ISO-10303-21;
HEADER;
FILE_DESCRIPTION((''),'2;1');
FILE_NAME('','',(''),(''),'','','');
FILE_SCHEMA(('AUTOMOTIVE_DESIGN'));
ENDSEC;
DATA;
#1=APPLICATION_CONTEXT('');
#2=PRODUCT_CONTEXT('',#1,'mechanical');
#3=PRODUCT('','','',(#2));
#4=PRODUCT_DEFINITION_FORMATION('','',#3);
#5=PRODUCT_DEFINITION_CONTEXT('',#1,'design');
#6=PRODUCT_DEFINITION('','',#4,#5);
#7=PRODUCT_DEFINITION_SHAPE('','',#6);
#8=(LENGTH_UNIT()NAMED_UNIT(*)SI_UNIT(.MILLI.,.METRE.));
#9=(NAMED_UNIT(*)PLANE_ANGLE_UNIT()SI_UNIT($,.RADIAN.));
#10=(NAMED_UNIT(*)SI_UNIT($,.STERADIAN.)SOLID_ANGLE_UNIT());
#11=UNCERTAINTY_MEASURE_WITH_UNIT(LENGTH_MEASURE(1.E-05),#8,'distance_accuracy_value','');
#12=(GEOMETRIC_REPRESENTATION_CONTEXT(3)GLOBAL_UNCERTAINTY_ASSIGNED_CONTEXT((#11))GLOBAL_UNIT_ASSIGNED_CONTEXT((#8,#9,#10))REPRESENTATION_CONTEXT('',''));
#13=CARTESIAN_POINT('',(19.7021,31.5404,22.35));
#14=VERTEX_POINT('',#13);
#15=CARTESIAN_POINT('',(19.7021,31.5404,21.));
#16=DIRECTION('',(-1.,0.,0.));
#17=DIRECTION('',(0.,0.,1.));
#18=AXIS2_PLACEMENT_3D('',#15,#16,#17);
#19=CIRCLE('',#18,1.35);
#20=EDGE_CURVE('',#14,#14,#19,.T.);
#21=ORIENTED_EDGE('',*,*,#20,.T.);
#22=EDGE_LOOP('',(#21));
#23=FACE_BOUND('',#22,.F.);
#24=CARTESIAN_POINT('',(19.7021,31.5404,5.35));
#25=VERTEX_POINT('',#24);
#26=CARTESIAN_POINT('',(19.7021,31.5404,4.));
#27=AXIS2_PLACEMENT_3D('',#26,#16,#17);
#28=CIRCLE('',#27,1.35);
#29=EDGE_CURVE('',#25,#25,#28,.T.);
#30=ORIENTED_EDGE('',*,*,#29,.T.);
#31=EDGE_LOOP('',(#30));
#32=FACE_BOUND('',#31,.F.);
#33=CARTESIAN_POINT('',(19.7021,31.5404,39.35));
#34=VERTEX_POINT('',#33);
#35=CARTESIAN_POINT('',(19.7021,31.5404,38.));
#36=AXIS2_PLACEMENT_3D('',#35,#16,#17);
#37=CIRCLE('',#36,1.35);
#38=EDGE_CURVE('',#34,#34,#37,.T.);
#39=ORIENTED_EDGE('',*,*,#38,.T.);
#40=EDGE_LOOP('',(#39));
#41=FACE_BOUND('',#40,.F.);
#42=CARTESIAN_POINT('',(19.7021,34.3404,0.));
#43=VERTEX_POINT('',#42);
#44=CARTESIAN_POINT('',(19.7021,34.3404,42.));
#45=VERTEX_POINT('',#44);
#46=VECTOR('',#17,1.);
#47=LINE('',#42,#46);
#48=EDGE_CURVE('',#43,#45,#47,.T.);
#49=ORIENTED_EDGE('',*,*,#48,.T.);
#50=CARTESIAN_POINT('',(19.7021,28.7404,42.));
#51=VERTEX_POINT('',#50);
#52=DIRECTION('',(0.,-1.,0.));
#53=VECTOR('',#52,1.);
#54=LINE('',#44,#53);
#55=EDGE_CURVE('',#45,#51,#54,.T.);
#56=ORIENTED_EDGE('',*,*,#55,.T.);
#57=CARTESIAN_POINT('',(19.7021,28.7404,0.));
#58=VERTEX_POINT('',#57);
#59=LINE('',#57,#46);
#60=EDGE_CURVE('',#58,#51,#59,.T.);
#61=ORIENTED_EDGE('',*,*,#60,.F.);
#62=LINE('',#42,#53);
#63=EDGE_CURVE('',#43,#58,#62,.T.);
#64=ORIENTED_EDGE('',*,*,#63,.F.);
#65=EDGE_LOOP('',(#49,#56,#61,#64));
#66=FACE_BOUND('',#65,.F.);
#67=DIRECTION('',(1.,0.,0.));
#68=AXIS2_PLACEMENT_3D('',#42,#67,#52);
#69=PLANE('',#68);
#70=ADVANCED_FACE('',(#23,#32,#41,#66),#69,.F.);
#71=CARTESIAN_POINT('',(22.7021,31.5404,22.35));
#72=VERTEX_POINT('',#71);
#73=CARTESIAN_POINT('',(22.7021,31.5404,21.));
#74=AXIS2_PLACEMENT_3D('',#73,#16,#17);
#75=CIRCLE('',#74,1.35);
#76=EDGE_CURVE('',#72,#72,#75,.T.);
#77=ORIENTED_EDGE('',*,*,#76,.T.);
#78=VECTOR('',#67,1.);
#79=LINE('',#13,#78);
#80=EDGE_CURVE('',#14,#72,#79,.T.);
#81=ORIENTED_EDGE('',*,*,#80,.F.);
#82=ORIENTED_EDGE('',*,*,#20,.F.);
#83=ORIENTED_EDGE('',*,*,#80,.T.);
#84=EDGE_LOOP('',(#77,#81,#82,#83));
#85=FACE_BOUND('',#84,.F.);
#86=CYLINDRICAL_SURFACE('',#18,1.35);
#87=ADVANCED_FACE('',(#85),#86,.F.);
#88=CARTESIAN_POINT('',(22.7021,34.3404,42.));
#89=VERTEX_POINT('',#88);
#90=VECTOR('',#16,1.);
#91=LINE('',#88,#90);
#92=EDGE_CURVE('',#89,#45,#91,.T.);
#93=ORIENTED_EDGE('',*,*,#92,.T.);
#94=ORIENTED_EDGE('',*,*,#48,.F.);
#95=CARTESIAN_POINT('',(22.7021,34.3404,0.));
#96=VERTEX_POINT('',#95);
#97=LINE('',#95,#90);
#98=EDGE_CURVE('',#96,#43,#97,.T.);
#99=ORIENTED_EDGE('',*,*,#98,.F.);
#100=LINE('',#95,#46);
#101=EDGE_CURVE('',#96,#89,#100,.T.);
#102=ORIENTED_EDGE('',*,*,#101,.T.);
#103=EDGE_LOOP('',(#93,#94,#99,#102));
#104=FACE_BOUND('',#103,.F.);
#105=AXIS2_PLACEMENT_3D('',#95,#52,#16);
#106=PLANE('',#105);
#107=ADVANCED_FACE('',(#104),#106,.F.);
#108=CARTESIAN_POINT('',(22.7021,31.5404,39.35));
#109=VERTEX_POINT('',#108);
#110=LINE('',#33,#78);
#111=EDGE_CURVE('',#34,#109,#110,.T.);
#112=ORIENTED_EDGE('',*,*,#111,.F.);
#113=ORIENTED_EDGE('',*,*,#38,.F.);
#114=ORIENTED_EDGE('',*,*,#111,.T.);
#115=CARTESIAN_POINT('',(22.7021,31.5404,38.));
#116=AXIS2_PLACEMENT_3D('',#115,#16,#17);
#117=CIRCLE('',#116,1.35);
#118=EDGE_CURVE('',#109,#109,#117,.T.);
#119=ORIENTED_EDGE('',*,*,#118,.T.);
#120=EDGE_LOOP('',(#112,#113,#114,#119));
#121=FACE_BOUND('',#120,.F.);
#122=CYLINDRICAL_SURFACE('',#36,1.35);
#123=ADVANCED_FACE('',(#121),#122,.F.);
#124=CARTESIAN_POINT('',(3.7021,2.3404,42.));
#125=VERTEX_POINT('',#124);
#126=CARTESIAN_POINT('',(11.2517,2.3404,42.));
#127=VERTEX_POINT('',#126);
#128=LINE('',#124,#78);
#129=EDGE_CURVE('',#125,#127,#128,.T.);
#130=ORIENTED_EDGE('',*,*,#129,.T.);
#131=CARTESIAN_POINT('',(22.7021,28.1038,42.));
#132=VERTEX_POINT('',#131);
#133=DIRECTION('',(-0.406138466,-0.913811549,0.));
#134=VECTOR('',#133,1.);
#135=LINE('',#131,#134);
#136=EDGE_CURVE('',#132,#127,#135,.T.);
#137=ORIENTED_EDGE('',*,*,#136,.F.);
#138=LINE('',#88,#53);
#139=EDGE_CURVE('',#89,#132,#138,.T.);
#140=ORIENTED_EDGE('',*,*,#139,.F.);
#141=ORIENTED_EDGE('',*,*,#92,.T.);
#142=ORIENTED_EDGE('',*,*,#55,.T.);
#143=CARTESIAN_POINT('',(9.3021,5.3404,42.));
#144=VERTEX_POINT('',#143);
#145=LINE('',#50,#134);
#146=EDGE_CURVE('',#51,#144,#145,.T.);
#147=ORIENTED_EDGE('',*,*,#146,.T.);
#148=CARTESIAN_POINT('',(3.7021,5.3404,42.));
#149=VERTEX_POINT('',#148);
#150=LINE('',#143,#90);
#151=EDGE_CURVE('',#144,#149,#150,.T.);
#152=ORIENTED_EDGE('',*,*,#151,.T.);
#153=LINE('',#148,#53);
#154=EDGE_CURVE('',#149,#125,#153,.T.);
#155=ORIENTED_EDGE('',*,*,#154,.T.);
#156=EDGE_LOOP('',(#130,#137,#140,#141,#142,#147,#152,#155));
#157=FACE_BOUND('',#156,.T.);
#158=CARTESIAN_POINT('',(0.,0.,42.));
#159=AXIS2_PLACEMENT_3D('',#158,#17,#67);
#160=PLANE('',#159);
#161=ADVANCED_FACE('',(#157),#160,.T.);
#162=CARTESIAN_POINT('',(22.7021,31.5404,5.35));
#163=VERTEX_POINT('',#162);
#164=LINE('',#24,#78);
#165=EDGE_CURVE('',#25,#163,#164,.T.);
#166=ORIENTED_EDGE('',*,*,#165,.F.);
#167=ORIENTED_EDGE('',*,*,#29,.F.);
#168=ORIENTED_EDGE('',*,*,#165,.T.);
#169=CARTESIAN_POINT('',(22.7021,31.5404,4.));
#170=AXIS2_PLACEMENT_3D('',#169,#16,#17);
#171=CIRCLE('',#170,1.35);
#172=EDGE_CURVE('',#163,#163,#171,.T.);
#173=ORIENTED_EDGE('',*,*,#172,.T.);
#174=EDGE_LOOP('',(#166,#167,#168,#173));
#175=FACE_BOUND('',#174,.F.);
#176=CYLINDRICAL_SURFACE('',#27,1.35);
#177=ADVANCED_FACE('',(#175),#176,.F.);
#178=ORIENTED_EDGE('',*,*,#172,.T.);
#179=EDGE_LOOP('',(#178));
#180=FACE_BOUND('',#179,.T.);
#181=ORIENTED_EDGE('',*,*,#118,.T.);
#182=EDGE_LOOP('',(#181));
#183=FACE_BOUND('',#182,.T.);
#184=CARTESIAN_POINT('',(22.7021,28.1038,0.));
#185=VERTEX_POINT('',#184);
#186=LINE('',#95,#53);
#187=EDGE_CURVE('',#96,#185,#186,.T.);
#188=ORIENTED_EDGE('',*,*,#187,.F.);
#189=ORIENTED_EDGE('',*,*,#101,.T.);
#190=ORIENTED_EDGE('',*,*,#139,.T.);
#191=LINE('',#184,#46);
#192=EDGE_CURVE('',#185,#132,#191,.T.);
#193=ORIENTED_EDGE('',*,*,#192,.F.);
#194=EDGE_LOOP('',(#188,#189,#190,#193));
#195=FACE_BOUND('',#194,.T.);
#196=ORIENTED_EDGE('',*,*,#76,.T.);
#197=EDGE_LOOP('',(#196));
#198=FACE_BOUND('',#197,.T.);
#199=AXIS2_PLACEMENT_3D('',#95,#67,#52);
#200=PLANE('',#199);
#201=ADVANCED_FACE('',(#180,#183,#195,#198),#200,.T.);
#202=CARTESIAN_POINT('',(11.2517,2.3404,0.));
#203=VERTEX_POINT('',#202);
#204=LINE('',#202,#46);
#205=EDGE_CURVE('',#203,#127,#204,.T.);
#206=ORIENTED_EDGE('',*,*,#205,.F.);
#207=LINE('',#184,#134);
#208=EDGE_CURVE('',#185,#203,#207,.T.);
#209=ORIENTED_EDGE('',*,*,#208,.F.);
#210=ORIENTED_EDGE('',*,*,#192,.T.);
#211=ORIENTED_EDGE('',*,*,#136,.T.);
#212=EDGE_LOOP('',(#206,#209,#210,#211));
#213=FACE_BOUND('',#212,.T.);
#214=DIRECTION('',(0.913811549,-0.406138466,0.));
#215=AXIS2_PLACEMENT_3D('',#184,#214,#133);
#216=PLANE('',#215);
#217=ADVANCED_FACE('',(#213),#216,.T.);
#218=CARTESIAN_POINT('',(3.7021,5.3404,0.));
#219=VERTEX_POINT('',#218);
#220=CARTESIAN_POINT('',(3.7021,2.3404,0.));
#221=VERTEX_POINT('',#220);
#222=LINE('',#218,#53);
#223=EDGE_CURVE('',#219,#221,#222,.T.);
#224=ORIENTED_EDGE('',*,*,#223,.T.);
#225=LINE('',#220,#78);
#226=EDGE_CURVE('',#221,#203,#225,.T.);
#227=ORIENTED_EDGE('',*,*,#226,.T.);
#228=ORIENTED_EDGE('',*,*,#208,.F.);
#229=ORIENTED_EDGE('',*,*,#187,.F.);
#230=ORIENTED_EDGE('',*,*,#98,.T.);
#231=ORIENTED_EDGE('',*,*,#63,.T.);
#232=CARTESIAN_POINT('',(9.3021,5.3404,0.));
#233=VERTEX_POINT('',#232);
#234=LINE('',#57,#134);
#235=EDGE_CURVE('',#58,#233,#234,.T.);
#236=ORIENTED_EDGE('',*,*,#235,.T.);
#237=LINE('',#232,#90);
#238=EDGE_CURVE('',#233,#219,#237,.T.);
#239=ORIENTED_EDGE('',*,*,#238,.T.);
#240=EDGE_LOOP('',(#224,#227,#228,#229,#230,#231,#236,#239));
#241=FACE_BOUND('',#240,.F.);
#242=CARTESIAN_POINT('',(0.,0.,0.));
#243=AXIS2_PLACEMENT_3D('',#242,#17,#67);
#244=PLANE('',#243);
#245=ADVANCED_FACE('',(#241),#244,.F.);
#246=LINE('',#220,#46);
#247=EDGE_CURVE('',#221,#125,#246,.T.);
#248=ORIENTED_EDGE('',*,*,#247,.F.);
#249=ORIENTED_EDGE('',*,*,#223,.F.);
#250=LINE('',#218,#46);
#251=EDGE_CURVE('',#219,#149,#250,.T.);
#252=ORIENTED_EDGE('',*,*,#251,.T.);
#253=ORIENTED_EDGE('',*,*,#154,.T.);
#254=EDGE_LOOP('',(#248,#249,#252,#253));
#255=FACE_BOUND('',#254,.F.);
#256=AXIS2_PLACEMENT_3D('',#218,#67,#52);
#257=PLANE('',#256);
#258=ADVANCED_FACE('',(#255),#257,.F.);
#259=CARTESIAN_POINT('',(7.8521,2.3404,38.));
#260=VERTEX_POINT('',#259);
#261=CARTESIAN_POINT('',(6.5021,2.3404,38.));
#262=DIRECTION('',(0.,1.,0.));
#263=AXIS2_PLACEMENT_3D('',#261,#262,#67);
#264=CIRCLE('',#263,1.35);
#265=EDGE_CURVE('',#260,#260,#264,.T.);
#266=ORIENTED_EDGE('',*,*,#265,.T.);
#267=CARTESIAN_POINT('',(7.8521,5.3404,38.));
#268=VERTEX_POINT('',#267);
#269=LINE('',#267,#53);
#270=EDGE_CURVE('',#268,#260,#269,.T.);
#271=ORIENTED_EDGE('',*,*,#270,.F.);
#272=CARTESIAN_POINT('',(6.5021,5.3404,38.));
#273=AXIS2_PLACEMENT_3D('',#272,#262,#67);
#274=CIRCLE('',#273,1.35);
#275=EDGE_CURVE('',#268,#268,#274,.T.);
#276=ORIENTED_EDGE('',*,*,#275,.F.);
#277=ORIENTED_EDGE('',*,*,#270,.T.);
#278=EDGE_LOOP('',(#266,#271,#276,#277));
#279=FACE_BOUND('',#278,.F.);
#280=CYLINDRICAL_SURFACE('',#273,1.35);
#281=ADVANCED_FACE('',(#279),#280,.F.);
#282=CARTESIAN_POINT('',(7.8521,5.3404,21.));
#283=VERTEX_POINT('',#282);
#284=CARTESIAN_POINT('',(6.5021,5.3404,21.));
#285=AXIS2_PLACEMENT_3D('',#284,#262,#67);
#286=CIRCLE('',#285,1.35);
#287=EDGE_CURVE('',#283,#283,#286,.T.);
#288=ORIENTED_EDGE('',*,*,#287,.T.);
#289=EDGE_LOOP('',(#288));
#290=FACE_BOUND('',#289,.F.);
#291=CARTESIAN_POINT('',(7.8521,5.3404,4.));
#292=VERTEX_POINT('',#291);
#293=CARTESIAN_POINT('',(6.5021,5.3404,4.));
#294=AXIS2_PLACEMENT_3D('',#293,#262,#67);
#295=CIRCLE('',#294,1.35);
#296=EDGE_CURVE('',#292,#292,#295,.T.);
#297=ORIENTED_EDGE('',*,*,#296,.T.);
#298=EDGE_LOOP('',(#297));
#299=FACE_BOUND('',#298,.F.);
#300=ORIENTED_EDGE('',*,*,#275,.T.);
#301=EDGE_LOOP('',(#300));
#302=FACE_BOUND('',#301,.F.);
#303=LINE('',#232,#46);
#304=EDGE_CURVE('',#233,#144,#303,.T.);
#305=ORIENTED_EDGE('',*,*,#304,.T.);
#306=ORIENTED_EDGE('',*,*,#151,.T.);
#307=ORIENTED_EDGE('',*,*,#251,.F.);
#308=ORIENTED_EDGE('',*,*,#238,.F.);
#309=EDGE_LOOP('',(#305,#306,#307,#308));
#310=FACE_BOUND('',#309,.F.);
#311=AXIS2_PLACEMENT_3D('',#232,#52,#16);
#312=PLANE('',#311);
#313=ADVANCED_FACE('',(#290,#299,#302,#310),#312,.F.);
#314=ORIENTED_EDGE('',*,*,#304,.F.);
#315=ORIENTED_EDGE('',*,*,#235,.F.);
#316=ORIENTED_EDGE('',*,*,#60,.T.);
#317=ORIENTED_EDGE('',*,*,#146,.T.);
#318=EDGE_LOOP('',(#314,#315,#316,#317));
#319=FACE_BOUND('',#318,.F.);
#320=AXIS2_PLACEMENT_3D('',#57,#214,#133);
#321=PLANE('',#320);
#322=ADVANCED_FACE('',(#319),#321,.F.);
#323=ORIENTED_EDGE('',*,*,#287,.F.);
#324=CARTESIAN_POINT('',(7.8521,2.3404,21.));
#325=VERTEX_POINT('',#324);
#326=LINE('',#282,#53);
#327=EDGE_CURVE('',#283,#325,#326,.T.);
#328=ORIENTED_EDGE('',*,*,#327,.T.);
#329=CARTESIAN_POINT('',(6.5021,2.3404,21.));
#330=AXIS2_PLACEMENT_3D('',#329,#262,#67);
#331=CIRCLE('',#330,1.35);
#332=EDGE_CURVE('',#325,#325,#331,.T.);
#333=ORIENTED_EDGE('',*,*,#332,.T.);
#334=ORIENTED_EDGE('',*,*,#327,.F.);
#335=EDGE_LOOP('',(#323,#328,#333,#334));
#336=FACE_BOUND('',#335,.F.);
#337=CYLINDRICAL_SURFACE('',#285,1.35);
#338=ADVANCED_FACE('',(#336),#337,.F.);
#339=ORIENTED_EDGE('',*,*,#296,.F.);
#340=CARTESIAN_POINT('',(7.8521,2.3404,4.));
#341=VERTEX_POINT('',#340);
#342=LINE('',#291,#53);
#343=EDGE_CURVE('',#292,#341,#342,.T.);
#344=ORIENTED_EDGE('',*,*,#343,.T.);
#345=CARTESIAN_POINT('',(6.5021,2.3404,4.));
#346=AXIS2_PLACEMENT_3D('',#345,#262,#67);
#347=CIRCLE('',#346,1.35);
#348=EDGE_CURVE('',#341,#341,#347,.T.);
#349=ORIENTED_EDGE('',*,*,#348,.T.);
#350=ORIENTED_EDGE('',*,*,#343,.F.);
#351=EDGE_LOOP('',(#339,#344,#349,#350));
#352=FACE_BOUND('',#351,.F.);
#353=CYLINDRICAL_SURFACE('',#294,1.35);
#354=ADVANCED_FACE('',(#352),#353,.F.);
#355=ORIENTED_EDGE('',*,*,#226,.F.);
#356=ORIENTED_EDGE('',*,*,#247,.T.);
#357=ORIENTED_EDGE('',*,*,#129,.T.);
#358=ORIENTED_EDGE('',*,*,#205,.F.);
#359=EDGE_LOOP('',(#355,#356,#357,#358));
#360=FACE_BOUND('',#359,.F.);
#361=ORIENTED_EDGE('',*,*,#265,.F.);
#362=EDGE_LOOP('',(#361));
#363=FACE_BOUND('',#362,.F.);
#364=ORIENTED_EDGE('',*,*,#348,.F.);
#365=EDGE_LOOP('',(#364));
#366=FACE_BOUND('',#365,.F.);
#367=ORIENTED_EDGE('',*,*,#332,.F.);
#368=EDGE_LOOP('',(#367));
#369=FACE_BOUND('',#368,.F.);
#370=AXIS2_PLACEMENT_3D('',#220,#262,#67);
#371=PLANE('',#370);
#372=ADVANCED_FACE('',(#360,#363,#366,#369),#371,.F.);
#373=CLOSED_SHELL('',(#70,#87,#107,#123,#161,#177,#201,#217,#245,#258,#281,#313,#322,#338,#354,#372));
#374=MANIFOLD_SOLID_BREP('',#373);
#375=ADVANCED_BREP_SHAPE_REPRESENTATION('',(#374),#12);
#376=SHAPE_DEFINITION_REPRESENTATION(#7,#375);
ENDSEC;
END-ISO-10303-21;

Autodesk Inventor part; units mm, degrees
ref_plane "YZ Plane" through (0, 0, 0) normal (1, 0, 0) x (0, 1, 0)
ref_plane "XZ Plane" through (0, 0, 0) normal (0, 1, 0) x (-1, 0, 0)
ref_plane "XY Plane" through (0, 0, 0) normal (0, 0, 1) x (1, 0, 0)
sketch "Sketch1" plane through (0, 0, 0) normal (0, 0, 1) x (1, 0, 0)
  line L0 (22.7021, 34.3404) -> (19.7021, 34.3404)
  line L1 (19.7021, 34.3404) -> (19.7021, 28.7404)
  line L2 (19.7021, 28.7404) -> (9.3021, 5.3404)
  line L3 (22.7021, 28.1038) -> (11.2517, 2.3404)
  line L4 (9.3021, 5.3404) -> (3.7021, 5.3404)
  line L5 (3.7021, 5.3404) -> (3.7021, 2.3404)
  line L6 (22.7021, 34.3404) -> (22.7021, 28.1038)
  line L7 (3.7021, 2.3404) -> (11.2517, 2.3404)
  point P0 (0, 0)
  dimension "d0" = 3
  dimension "d1" = 3
  dimension "d2" = 32
  dimension "d3" = 19
  dimension "d4" = 5.6
  dimension "d5" = 5.6
  dimension "d6" = 3
extrude "Extrusion1" add sketch "Sketch1" along normal blind 42
sketch "Sketch2" plane through (3.7021, 5.3404, 0) normal (0, 1, 0) x (1, 0, 0)
  line L0 (0, -42) -> (5.6, -42) projected
  circle A0 centre (2.8, -4) radius 1.35
  circle A1 centre (2.8, -21) radius 1.35
  circle A2 centre (2.8, -38) radius 1.35
  point P0 (-3.7021, 0)
  dimension "d9" = 2.7
  dimension "d10" = 2.7
  dimension "d11" = 2.7
  dimension "d12" = 17
  dimension "d13" = 17
  dimension "d14" = 4
extrude "Extrusion2" cut sketch "Sketch2" against normal through all
sketch "Sketch3" plane through (19.7021, 28.7404, 0) normal (-1, 0, 0) x (0, 0, 1)
  line L0 (0, 5.6) -> (42, 5.6) projected
  line L1 (0, 5.6) -> (0, 0) projected
  circle A0 centre (4, 2.8) radius 1.35
  circle A1 centre (21, 2.8) radius 1.35
  circle A2 centre (38, 2.8) radius 1.35
  point P0 (0, -28.7404)
  dimension "d17" = 2.7
  dimension "d18" = 2.7
  dimension "d19" = 2.7
  dimension "d20" = 17
  dimension "d21" = 17
  dimension "d22" = 4
  dimension "d23" = 2.8
  dimension "d24" = 2.8
  dimension "d25" = 2.8
extrude "Extrusion3" cut sketch "Sketch3" against normal through all
properties part number "Trunk" material "Aluminum-6061"
